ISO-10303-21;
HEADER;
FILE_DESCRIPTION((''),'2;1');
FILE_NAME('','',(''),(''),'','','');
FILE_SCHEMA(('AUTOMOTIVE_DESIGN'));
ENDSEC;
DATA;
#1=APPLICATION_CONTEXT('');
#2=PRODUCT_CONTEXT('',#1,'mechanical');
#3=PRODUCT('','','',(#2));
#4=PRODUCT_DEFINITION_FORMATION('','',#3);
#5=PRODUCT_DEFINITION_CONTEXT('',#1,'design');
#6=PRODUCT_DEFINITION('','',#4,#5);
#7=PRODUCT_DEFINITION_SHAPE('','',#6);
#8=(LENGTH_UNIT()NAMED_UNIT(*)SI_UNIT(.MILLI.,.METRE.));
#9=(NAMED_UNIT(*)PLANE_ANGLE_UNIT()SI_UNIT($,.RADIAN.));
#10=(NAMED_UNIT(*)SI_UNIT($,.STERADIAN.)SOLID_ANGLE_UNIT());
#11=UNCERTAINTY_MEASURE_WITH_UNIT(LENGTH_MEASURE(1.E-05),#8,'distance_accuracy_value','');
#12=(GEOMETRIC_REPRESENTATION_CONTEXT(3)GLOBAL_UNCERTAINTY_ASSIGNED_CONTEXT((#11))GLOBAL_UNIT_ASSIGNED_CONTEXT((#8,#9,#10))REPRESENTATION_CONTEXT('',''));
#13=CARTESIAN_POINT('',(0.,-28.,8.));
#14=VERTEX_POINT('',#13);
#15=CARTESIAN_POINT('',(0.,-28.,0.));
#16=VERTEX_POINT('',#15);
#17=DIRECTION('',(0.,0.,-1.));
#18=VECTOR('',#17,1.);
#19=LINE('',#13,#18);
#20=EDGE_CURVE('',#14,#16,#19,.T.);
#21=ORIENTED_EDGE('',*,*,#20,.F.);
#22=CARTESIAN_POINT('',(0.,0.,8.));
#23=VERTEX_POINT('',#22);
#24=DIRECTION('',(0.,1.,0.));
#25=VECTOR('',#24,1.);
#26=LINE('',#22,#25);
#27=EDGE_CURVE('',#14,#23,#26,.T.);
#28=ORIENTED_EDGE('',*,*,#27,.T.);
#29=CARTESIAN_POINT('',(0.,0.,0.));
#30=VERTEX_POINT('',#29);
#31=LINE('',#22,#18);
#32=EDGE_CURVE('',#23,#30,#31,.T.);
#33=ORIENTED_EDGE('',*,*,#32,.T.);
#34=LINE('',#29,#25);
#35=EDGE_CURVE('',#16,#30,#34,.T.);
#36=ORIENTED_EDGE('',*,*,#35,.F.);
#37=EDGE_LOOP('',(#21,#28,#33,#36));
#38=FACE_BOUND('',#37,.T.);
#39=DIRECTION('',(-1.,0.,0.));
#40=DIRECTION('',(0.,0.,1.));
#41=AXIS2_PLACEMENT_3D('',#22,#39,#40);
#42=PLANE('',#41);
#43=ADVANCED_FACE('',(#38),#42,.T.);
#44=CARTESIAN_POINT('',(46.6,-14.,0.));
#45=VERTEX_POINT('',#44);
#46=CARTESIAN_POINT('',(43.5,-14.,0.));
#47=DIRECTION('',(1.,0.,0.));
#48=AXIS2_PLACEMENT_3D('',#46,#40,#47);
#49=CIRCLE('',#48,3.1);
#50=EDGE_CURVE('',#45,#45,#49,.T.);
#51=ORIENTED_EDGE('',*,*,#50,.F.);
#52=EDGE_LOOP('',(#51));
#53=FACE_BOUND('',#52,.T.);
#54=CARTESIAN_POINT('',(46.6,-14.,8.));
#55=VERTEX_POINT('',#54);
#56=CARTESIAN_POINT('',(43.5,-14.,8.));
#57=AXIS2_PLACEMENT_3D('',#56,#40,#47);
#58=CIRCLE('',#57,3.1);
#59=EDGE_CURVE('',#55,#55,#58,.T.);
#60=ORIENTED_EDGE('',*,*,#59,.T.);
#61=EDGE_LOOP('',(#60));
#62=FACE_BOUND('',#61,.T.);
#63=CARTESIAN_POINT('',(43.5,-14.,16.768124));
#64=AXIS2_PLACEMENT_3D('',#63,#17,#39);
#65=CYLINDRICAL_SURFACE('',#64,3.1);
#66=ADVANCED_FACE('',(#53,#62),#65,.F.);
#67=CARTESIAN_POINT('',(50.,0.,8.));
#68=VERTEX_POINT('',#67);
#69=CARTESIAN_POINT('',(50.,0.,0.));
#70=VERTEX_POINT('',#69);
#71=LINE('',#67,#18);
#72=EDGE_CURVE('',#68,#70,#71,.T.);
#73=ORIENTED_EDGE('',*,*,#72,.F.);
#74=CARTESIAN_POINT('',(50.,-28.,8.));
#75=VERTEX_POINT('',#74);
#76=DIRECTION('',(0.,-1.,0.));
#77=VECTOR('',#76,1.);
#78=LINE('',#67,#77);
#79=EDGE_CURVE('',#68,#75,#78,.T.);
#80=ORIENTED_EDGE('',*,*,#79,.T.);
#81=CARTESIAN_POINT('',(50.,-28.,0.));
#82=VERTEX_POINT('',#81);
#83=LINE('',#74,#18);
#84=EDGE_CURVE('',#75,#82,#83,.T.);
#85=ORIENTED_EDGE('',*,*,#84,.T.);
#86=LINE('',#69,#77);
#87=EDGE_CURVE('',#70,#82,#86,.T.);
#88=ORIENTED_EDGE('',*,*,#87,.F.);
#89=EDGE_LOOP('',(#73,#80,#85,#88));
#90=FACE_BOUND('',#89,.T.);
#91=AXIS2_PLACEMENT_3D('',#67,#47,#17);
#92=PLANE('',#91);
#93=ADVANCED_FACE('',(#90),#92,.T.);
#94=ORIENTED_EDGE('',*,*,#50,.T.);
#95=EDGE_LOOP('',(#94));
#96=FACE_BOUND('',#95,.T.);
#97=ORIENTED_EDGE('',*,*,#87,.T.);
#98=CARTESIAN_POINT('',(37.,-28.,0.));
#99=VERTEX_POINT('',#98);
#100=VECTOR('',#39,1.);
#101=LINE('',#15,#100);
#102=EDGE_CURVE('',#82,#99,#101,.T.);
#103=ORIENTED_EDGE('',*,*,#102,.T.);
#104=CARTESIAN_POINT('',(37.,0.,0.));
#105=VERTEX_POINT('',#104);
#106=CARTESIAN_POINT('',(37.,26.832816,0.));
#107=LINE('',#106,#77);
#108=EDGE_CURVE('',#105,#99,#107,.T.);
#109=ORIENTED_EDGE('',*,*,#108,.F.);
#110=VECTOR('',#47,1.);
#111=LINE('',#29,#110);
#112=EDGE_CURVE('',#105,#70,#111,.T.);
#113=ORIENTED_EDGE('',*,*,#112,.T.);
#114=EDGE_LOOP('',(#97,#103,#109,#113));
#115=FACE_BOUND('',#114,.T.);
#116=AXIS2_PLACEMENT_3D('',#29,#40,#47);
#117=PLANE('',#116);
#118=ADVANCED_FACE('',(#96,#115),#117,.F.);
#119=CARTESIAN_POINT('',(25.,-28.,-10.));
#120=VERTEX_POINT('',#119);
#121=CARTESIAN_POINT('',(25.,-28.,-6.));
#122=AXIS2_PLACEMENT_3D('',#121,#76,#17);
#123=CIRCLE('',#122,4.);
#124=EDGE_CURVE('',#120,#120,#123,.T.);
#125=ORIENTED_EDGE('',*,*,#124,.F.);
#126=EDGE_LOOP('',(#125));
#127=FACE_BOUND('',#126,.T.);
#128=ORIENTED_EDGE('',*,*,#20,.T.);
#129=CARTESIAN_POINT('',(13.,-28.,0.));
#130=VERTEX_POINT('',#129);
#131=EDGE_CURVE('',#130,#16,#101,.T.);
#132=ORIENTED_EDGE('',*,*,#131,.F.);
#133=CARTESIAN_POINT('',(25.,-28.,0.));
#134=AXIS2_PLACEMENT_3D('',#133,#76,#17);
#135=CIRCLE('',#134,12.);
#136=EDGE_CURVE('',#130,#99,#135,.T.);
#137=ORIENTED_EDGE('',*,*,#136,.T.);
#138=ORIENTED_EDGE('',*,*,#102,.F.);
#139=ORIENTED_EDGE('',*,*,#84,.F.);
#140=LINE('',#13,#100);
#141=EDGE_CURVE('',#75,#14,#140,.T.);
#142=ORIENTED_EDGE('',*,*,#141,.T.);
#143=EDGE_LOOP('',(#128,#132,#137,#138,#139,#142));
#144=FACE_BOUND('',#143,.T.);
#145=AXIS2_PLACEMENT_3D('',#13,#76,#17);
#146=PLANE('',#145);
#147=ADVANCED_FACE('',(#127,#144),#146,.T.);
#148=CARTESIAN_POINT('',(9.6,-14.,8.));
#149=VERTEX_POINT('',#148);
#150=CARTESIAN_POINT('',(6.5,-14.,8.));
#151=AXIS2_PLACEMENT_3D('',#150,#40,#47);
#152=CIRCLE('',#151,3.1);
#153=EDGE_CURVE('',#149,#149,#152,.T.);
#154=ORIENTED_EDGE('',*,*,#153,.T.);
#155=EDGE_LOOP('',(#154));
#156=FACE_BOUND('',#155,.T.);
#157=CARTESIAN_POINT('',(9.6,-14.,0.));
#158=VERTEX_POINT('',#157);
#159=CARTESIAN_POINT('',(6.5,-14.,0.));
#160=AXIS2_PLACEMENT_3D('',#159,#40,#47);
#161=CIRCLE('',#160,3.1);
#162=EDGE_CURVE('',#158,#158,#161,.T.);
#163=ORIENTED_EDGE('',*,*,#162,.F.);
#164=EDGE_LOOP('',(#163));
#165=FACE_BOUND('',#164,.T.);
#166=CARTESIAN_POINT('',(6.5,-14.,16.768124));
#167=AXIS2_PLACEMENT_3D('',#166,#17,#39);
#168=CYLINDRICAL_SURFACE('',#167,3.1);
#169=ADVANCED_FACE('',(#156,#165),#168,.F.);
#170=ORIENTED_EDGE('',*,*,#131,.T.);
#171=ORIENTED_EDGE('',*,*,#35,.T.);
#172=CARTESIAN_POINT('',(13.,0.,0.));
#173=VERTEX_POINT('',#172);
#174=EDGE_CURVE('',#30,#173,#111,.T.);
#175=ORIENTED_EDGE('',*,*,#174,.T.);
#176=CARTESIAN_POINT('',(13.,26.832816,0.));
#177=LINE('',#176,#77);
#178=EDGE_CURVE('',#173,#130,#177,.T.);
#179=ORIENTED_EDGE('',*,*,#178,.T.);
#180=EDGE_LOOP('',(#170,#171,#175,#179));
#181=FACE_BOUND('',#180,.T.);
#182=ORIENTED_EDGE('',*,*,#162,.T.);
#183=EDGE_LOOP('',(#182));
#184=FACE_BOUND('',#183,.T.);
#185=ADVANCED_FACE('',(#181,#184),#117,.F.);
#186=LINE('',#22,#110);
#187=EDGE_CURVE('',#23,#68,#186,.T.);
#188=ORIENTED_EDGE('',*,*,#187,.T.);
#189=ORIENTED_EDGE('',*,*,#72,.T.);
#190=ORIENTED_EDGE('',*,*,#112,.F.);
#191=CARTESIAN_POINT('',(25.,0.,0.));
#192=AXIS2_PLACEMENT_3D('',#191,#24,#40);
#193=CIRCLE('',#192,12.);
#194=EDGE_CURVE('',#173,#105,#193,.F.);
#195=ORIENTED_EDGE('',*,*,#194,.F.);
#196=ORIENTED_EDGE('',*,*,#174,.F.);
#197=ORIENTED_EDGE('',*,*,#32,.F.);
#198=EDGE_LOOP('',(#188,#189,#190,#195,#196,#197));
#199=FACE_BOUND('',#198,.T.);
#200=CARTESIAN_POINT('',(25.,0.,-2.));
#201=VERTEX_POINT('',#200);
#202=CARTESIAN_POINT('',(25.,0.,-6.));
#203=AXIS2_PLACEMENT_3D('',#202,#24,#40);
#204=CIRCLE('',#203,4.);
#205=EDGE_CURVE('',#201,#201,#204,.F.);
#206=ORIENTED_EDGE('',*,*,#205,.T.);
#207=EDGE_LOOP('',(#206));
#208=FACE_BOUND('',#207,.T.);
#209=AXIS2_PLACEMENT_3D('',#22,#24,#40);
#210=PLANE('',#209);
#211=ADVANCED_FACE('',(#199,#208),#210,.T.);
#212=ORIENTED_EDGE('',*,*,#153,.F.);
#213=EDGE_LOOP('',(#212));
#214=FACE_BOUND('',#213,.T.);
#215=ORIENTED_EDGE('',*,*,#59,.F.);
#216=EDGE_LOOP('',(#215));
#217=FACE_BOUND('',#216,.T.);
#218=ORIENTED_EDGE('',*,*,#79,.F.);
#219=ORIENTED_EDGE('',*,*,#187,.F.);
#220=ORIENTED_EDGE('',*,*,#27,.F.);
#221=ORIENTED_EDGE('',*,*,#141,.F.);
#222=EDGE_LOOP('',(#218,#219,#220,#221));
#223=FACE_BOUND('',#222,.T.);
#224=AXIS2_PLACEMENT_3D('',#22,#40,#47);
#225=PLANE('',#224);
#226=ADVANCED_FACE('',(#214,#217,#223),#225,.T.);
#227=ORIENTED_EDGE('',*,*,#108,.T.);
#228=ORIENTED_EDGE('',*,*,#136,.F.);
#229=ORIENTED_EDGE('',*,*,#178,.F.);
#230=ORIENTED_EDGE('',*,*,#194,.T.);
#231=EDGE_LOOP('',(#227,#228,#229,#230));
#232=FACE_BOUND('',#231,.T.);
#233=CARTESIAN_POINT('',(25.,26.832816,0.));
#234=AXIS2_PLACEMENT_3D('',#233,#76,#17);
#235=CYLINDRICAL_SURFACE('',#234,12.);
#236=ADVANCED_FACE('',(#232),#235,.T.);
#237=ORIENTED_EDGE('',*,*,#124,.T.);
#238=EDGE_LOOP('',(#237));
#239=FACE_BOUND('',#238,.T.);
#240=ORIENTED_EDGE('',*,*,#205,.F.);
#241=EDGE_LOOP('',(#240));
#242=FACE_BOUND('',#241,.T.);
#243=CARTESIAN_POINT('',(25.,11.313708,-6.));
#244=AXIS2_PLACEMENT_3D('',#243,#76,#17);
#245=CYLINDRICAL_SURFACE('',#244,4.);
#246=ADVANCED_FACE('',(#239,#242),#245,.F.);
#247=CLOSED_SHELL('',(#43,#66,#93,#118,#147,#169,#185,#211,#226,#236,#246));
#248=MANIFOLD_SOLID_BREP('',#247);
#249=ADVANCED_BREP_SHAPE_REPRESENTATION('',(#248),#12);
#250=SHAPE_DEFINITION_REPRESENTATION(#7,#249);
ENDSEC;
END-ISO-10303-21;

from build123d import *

# Parameters (mm, degrees)
SKETCH_1_W          = 50
SKETCH_1_H          = 28
EXTRUDE_1_DEPTH     = 8
EXTRUDE_2_DEPTH     = 28
CUT_EXTRUDE_1_DEPTH = 28
SKETCH_1_4_R        = 3.1
CUT_EXTRUDE_2_DEPTH = 8


with BuildPart() as part:
    # 草图1 → 凸台-拉伸1 (new body)
    with BuildSketch(Plane.XY):
        with Locations((25, -14)):
            Rectangle(SKETCH_1_W, SKETCH_1_H)
    extrude(amount=EXTRUDE_1_DEPTH)

    # 草图2 → 凸台-拉伸2 (add)
    with BuildSketch(Plane.XZ.offset(28)):
        with BuildLine():
            Line((37, 0), (25, 0))
            Line((25, 0), (13, 0))
            ThreePointArc((13, 0), (25, -12), (37, 0))
        make_face()
    extrude(amount=-EXTRUDE_2_DEPTH)

    # 草图3 → 切除-拉伸1 (cut)
    with BuildSketch(Plane.XZ.offset(28)):
        with BuildLine():
            ThreePointArc((25, -2), (21, -6), (25, -10))
            Line((25, -10), (25, -2))
        make_face()
        with BuildLine():
            Line((25, -2), (25, -10))
            ThreePointArc((25, -10), (27.828427125, -8.828427125), (29, -6))
            ThreePointArc((29, -6), (27.828427125, -3.171572875), (25, -2))
        make_face()
    extrude(amount=-CUT_EXTRUDE_1_DEPTH, mode=Mode.SUBTRACT)

    # 草图1<4> → 切除-拉伸2 (cut)
    with BuildSketch(Plane.XY):
        with Locations((6.5, -14)):
            Circle(SKETCH_1_4_R)
        with Locations((43.5, -14)):
            Circle(SKETCH_1_4_R)
    extrude(amount=CUT_EXTRUDE_2_DEPTH, mode=Mode.SUBTRACT)


solid = part.part
